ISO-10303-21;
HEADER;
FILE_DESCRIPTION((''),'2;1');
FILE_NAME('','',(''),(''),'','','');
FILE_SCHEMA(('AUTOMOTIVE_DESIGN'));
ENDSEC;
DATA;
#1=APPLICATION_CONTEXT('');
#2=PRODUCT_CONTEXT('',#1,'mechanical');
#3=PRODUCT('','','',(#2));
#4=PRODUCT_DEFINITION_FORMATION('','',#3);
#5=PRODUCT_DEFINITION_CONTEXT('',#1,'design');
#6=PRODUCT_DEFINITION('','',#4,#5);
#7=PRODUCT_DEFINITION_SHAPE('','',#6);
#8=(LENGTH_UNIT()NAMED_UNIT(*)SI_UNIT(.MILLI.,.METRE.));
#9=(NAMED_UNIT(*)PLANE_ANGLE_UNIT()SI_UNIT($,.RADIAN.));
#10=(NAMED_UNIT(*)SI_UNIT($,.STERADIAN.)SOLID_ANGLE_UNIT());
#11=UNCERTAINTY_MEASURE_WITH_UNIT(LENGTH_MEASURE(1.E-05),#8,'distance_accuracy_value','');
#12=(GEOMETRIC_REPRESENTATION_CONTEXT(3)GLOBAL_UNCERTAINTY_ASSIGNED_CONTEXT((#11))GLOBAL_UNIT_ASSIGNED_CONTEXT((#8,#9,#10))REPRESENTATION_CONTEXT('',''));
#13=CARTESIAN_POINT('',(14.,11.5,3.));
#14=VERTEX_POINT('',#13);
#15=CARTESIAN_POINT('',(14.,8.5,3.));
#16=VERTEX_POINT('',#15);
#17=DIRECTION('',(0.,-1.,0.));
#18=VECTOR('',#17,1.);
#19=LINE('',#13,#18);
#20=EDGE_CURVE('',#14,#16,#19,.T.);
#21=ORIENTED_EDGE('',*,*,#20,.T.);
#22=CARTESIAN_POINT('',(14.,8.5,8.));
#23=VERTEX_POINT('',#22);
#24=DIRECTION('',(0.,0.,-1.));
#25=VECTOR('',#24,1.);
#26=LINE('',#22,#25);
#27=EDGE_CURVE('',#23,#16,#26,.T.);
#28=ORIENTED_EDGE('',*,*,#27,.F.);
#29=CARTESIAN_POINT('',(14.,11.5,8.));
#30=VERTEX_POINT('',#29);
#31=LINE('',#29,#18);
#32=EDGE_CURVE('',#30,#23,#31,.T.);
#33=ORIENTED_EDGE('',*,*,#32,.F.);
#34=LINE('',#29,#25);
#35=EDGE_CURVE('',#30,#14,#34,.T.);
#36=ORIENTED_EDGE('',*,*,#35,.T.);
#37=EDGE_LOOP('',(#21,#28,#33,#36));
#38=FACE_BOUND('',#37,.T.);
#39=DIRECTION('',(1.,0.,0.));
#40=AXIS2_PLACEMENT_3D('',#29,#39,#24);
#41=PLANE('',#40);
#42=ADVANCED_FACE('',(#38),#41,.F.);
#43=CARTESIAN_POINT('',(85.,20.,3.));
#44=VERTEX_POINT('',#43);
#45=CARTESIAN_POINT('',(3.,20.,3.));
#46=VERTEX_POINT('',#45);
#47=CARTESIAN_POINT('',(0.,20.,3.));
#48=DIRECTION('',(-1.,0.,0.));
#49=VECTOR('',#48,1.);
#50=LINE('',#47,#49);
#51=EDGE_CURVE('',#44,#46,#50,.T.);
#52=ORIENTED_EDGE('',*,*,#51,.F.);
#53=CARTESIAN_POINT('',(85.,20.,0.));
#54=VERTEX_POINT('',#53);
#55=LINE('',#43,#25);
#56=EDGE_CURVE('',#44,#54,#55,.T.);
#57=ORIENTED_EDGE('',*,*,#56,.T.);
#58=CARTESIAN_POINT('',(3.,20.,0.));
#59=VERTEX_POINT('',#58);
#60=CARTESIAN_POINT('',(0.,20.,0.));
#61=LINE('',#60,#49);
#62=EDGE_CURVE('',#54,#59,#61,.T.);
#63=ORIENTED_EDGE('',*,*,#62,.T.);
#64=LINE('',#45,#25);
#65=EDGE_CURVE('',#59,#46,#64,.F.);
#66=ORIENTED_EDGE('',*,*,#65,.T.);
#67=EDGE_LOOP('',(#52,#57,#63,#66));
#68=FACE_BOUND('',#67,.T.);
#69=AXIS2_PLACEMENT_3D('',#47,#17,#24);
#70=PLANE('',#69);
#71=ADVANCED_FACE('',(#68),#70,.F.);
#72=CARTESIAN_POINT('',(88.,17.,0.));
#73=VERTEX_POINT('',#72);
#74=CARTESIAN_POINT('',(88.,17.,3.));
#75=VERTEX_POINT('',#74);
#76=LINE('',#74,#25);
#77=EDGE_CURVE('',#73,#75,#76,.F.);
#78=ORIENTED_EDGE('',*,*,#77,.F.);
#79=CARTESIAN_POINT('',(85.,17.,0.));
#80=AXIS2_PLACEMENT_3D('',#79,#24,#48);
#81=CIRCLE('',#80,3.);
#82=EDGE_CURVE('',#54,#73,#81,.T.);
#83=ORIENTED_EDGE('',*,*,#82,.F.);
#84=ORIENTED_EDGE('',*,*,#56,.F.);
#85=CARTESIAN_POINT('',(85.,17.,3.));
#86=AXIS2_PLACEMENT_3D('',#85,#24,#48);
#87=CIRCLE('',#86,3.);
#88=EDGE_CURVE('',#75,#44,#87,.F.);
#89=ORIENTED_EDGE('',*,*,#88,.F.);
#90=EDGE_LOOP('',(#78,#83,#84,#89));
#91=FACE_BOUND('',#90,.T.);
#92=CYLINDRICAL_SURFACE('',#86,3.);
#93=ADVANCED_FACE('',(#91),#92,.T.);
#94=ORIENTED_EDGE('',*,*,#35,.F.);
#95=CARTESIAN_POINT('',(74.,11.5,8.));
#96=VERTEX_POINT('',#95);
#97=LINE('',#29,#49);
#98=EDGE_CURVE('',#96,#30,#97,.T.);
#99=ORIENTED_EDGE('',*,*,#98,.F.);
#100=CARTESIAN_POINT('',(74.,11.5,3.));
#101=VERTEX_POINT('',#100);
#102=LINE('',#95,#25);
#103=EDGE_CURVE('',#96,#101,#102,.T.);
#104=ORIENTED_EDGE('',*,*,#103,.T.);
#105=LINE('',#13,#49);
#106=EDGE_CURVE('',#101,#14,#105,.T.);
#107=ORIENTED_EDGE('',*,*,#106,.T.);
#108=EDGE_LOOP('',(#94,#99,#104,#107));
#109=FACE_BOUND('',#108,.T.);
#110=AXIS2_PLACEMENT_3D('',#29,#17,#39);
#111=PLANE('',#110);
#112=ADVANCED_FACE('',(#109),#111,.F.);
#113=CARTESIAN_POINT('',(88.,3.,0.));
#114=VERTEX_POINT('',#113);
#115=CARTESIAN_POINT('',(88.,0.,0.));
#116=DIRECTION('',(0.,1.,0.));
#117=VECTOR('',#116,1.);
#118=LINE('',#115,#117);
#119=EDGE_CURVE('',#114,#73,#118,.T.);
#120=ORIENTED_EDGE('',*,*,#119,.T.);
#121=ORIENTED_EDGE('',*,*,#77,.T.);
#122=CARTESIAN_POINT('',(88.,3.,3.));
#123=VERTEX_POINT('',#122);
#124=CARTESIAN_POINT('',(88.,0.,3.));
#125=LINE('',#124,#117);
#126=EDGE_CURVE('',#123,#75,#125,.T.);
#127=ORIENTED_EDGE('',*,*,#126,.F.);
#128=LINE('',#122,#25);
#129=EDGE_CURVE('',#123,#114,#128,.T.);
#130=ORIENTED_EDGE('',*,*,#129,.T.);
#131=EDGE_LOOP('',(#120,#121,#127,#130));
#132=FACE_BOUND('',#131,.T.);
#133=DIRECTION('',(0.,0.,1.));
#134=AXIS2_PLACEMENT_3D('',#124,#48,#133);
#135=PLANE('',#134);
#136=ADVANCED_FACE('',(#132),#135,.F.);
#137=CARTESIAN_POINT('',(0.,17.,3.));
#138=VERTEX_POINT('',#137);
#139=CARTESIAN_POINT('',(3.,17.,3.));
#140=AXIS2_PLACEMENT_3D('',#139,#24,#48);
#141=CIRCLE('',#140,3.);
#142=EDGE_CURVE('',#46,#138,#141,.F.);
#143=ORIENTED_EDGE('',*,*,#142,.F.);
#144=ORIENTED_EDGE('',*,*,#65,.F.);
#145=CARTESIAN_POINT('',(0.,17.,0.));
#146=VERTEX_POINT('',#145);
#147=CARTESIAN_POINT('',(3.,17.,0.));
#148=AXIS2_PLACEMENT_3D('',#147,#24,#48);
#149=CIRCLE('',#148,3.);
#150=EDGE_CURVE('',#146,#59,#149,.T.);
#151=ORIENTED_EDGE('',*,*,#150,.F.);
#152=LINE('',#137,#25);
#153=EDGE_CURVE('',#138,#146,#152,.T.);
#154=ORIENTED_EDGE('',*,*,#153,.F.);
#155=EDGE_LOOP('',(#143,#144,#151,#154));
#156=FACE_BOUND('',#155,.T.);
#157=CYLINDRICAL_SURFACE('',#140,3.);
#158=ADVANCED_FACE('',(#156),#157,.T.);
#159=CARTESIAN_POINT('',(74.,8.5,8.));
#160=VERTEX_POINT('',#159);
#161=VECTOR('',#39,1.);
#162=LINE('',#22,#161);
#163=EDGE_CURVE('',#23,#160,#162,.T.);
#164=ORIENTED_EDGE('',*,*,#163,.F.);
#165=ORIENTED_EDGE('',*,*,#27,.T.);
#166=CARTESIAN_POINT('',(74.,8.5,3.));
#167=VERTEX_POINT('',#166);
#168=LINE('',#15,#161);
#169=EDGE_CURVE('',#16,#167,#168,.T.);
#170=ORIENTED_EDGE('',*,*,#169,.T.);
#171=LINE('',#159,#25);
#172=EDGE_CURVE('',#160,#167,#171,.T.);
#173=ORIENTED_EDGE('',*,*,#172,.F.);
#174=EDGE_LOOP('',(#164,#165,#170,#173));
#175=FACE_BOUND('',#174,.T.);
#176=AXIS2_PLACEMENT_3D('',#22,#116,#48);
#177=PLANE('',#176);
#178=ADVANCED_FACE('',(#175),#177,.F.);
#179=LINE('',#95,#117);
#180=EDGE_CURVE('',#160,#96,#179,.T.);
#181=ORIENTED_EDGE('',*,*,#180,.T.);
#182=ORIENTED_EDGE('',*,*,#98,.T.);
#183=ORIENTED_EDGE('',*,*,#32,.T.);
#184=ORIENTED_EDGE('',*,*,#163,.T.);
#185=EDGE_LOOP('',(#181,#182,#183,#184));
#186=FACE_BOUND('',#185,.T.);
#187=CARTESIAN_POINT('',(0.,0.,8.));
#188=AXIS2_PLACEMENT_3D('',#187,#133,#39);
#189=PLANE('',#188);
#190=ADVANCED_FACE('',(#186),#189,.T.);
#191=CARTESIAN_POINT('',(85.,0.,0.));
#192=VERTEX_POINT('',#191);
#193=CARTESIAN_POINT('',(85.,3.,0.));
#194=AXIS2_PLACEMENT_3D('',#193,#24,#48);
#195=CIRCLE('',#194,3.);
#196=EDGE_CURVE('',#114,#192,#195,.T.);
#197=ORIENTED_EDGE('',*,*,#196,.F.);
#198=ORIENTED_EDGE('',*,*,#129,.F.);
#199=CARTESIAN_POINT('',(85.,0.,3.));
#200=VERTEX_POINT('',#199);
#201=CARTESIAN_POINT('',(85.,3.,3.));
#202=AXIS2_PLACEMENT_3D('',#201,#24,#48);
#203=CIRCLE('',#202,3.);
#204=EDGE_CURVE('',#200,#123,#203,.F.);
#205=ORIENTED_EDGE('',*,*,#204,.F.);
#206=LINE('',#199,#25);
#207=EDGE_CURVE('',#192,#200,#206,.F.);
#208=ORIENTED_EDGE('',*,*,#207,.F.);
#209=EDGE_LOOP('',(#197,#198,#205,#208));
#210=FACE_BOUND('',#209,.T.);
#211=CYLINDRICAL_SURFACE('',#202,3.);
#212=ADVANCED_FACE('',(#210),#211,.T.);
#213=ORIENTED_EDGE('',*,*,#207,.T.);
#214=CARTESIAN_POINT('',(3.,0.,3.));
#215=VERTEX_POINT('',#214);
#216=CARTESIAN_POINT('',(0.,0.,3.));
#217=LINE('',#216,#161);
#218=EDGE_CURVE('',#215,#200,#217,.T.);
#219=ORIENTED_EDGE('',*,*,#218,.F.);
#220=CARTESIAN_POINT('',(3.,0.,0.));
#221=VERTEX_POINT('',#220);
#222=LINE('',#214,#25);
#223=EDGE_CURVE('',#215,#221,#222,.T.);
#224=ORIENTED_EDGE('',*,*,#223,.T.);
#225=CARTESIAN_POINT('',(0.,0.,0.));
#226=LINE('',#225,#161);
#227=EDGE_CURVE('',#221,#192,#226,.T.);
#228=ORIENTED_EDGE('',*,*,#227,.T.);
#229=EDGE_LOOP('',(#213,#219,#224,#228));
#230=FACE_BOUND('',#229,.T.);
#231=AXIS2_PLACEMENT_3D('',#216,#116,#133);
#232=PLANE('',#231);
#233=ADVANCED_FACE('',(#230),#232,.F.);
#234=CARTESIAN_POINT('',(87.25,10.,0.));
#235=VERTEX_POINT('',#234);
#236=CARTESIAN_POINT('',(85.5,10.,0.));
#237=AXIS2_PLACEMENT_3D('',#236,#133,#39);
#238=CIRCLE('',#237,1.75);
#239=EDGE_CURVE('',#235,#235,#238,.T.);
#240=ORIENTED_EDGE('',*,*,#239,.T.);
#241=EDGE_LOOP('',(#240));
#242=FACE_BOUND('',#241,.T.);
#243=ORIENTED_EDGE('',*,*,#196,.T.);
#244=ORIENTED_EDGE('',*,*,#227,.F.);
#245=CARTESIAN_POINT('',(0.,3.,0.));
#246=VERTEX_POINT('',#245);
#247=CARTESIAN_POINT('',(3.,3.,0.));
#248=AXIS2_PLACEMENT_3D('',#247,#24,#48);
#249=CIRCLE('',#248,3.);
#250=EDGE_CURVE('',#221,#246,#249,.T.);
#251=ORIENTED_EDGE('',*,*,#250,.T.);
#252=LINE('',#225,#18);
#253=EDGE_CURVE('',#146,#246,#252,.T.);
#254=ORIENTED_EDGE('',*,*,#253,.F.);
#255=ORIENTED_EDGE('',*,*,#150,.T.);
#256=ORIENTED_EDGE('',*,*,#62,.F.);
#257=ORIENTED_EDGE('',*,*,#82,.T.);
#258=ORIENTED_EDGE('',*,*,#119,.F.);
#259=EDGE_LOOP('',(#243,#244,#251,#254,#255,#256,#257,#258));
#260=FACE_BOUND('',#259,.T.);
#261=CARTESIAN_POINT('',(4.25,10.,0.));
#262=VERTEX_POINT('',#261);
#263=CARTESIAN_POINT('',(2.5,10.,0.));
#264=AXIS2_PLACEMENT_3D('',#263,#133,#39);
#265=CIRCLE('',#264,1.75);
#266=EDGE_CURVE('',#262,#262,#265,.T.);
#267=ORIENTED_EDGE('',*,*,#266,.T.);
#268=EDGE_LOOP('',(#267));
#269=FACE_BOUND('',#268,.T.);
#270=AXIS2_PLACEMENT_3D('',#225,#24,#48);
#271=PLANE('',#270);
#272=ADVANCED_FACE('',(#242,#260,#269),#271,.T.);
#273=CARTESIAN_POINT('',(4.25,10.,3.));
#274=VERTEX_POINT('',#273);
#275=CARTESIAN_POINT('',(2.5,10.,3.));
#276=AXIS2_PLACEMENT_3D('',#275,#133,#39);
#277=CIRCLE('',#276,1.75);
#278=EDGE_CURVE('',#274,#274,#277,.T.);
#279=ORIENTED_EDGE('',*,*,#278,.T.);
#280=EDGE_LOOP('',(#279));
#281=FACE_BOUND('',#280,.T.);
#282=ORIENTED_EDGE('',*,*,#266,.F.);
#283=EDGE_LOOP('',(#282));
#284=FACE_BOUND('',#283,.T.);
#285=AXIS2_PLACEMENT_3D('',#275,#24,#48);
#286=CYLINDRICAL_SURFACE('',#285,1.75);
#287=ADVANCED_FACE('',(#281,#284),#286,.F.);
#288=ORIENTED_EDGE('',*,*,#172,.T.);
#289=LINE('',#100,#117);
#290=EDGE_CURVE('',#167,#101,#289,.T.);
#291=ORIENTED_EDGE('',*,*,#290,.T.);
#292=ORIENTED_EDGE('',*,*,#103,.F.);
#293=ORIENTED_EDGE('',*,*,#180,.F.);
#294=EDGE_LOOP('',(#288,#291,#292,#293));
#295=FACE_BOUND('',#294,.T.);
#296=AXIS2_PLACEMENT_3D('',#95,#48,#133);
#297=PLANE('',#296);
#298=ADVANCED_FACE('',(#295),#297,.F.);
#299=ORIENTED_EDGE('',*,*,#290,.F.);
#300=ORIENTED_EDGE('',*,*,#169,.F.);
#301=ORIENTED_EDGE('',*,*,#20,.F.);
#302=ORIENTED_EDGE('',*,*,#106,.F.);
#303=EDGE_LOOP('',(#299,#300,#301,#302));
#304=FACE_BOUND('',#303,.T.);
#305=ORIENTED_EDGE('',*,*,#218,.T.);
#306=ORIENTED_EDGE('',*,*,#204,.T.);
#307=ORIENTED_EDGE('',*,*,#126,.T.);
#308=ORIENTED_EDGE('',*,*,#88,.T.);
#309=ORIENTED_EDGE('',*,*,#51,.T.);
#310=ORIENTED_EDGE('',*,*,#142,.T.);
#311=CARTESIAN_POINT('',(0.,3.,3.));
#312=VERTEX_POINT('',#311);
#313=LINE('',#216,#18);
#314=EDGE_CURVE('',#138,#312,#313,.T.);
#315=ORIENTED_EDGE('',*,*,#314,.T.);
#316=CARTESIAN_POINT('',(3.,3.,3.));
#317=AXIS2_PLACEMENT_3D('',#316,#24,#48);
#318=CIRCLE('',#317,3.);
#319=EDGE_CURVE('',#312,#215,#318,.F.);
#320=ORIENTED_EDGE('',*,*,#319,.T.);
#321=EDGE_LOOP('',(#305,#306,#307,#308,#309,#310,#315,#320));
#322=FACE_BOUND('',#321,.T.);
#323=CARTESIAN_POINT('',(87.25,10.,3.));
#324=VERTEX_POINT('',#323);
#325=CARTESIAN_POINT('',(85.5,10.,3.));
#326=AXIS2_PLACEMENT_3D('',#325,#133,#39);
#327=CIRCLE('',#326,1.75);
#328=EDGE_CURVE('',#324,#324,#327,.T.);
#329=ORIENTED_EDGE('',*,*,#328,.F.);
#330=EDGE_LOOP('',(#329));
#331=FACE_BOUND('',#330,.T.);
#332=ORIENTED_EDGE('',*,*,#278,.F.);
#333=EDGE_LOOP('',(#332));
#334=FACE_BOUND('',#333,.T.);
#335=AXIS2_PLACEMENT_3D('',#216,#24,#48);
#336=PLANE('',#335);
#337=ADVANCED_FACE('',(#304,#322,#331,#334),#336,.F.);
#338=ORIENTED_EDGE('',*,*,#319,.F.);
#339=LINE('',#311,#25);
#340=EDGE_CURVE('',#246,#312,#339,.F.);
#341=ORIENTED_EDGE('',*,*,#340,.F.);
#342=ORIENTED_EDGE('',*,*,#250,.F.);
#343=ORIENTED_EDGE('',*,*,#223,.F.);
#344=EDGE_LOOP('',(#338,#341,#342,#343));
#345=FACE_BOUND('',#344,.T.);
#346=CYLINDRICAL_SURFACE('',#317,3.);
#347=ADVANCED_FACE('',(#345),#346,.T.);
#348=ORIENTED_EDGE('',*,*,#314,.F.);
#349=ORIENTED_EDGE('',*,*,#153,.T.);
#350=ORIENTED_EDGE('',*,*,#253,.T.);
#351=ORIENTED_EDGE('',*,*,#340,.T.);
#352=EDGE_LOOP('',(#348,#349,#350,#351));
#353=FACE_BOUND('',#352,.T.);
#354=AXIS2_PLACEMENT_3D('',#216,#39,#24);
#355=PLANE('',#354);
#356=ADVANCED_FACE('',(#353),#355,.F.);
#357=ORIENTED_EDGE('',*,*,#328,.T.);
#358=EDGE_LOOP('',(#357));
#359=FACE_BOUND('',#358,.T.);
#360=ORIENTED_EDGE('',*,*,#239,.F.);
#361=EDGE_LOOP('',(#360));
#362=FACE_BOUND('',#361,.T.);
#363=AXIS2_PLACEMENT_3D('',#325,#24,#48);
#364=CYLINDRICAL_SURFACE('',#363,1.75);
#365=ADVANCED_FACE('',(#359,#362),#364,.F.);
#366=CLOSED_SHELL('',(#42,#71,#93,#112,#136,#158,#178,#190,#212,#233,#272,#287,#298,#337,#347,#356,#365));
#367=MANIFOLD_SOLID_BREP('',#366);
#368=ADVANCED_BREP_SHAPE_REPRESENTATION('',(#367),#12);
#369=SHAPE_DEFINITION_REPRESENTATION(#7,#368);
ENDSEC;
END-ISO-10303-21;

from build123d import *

# Parameters (mm, degrees)
ESQUISSE1_W        = 88
ESQUISSE1_H        = 20
ESQUISSE1_R        = 1.75
BOSS_EXTRU_1_DEPTH = 3
ESQUISSE2_W        = 60
ESQUISSE2_H        = 3
BOSS_EXTRU_2_DEPTH = 5
CONG_1_R           = 3


with BuildPart() as part:
    # Esquisse1 → Boss.-Extru.1 (new body)
    with BuildSketch(Plane.XY):
        with Locations((44, 10)):
            Rectangle(ESQUISSE1_W, ESQUISSE1_H)
        with Locations((2.5, 10)):
            Circle(ESQUISSE1_R, mode=Mode.SUBTRACT)
        with Locations((85.5, 10)):
            Circle(ESQUISSE1_R, mode=Mode.SUBTRACT)
    extrude(amount=BOSS_EXTRU_1_DEPTH)

    # Esquisse2 → Boss.-Extru.2 (add)
    with BuildSketch(Plane.XY.offset(3)):
        with Locations((44, 10)):
            Rectangle(ESQUISSE2_W, ESQUISSE2_H)
    extrude(amount=BOSS_EXTRU_2_DEPTH)

    # Congé1
    cong_1_edges = [part.edges().sort_by_distance(p)[0] for p in [
        (0, 20, 1.5),
        (88, 20, 1.5),
        (88, 0, 1.5),
        (0, 0, 1.5),
    ]]
    fillet(cong_1_edges, radius=CONG_1_R)


solid = part.part
